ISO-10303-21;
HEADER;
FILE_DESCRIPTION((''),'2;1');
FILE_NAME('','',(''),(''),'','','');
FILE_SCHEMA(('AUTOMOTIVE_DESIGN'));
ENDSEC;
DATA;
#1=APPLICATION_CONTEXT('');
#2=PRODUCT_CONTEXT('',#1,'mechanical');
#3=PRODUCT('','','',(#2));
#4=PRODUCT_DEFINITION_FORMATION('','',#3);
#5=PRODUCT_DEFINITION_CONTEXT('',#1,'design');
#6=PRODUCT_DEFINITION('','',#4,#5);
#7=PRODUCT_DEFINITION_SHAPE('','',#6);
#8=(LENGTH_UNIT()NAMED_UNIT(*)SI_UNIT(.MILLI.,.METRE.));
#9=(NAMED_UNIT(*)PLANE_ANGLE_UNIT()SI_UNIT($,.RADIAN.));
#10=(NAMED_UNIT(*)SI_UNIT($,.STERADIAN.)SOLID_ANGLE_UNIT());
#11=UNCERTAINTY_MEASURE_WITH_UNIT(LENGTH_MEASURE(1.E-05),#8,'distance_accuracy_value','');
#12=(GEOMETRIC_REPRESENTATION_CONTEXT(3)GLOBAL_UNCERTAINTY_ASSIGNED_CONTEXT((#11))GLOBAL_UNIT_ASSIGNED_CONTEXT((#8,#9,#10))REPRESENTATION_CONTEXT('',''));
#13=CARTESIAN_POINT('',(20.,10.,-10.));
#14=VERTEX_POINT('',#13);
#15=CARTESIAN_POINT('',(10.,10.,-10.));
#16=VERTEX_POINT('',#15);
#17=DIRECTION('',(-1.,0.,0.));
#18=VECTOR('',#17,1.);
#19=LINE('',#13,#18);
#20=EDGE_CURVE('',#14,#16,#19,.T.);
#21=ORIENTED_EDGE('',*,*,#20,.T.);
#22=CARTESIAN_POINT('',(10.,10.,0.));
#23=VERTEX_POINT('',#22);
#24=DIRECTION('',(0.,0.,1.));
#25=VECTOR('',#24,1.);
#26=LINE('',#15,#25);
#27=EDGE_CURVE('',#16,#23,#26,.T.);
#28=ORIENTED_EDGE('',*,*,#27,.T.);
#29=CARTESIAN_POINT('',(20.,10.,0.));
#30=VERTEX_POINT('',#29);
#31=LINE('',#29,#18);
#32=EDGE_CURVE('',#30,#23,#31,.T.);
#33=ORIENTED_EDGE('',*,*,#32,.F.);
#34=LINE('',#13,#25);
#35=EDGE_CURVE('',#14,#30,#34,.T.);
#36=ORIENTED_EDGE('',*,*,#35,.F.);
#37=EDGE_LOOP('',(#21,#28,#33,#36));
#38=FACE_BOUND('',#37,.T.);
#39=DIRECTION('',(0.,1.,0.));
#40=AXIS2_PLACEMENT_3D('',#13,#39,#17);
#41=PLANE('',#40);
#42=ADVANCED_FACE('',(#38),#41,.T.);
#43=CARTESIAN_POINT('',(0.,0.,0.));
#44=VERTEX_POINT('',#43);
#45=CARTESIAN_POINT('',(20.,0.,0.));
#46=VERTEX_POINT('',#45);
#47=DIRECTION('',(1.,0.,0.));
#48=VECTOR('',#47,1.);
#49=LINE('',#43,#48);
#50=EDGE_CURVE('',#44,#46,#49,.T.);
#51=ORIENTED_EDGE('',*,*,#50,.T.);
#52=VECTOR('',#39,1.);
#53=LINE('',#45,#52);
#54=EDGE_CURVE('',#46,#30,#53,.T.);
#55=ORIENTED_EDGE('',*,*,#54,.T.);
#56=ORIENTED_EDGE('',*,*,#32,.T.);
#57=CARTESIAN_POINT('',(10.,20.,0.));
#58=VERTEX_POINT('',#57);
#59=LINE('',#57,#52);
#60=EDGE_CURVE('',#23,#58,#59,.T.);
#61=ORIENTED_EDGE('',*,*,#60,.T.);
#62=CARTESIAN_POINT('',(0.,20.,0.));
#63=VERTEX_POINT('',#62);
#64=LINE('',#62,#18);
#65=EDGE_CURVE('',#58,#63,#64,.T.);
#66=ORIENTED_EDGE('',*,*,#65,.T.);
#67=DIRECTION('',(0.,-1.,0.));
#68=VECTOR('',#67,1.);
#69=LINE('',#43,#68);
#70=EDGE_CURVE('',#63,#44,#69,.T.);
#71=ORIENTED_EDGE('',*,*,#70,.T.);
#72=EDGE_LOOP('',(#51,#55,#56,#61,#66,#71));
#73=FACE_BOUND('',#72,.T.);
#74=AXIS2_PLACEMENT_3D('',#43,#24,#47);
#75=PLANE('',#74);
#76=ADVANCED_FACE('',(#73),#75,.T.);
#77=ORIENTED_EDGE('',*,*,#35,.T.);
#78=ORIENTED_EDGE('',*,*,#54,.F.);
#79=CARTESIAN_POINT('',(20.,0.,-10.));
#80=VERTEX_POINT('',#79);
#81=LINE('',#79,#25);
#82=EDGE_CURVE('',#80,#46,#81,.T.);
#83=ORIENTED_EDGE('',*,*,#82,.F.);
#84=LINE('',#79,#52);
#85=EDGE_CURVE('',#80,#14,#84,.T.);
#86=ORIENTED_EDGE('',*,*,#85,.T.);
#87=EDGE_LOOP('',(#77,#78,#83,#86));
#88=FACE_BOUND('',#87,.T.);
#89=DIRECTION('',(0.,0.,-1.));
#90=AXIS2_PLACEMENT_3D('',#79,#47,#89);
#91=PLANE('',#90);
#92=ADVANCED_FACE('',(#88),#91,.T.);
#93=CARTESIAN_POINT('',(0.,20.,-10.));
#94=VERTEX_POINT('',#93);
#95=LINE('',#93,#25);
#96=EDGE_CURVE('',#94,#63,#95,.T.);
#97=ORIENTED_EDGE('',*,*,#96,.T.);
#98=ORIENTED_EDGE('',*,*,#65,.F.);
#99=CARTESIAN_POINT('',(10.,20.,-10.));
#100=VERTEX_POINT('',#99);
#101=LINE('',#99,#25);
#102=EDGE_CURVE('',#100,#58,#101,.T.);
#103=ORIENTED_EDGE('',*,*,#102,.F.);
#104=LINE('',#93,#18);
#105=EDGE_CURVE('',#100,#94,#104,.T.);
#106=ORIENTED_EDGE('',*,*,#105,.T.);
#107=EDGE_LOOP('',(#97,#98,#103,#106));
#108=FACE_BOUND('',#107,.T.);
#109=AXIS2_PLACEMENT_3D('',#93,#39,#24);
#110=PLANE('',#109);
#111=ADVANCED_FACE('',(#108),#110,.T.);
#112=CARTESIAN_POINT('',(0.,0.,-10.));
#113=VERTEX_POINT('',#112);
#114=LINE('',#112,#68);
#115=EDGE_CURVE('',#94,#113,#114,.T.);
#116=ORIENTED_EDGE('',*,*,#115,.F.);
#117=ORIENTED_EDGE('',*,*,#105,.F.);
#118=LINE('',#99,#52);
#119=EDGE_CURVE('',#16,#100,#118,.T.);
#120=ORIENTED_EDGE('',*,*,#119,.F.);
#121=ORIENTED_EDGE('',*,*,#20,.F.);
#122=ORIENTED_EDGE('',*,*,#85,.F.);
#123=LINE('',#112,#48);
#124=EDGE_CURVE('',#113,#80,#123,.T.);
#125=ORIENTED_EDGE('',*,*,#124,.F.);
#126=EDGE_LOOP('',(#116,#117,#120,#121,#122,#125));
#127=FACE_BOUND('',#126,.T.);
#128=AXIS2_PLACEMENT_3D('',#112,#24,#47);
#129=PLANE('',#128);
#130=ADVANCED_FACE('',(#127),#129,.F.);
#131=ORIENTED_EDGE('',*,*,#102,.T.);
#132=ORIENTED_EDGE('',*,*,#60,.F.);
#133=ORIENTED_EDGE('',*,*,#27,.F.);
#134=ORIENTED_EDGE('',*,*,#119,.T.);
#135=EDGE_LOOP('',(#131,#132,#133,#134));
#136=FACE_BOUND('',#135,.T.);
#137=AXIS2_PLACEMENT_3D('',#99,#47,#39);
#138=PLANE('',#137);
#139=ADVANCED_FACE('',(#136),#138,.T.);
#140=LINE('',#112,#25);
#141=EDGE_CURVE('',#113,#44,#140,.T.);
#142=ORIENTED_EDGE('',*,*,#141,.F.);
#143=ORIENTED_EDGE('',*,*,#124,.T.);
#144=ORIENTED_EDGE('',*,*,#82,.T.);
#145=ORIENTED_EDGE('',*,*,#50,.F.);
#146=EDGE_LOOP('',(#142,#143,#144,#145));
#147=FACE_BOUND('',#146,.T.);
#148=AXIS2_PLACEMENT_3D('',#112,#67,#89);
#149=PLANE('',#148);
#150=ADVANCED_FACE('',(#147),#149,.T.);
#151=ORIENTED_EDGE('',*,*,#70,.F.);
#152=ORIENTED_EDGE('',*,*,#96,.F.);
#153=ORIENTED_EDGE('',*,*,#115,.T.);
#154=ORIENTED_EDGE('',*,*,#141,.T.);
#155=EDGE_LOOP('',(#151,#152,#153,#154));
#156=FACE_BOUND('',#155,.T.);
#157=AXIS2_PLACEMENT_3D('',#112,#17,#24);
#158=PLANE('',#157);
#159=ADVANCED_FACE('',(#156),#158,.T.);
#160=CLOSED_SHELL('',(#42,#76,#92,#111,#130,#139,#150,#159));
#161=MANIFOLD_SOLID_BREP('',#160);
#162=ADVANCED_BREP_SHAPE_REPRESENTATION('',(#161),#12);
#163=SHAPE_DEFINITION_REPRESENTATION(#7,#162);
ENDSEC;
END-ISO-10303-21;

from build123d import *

# Parameters (mm, degrees)
BOSS_EXTRU_1_DEPTH = 10


with BuildPart() as part:
    # Esquisse1 → Boss.-Extru.1 (new body)
    with BuildSketch(Plane.XY):
        Polygon((0, 0), (0, 20), (10, 20), (10, 10), (20, 10), (20, 0), align=None)
    extrude(amount=-BOSS_EXTRU_1_DEPTH)


solid = part.part
